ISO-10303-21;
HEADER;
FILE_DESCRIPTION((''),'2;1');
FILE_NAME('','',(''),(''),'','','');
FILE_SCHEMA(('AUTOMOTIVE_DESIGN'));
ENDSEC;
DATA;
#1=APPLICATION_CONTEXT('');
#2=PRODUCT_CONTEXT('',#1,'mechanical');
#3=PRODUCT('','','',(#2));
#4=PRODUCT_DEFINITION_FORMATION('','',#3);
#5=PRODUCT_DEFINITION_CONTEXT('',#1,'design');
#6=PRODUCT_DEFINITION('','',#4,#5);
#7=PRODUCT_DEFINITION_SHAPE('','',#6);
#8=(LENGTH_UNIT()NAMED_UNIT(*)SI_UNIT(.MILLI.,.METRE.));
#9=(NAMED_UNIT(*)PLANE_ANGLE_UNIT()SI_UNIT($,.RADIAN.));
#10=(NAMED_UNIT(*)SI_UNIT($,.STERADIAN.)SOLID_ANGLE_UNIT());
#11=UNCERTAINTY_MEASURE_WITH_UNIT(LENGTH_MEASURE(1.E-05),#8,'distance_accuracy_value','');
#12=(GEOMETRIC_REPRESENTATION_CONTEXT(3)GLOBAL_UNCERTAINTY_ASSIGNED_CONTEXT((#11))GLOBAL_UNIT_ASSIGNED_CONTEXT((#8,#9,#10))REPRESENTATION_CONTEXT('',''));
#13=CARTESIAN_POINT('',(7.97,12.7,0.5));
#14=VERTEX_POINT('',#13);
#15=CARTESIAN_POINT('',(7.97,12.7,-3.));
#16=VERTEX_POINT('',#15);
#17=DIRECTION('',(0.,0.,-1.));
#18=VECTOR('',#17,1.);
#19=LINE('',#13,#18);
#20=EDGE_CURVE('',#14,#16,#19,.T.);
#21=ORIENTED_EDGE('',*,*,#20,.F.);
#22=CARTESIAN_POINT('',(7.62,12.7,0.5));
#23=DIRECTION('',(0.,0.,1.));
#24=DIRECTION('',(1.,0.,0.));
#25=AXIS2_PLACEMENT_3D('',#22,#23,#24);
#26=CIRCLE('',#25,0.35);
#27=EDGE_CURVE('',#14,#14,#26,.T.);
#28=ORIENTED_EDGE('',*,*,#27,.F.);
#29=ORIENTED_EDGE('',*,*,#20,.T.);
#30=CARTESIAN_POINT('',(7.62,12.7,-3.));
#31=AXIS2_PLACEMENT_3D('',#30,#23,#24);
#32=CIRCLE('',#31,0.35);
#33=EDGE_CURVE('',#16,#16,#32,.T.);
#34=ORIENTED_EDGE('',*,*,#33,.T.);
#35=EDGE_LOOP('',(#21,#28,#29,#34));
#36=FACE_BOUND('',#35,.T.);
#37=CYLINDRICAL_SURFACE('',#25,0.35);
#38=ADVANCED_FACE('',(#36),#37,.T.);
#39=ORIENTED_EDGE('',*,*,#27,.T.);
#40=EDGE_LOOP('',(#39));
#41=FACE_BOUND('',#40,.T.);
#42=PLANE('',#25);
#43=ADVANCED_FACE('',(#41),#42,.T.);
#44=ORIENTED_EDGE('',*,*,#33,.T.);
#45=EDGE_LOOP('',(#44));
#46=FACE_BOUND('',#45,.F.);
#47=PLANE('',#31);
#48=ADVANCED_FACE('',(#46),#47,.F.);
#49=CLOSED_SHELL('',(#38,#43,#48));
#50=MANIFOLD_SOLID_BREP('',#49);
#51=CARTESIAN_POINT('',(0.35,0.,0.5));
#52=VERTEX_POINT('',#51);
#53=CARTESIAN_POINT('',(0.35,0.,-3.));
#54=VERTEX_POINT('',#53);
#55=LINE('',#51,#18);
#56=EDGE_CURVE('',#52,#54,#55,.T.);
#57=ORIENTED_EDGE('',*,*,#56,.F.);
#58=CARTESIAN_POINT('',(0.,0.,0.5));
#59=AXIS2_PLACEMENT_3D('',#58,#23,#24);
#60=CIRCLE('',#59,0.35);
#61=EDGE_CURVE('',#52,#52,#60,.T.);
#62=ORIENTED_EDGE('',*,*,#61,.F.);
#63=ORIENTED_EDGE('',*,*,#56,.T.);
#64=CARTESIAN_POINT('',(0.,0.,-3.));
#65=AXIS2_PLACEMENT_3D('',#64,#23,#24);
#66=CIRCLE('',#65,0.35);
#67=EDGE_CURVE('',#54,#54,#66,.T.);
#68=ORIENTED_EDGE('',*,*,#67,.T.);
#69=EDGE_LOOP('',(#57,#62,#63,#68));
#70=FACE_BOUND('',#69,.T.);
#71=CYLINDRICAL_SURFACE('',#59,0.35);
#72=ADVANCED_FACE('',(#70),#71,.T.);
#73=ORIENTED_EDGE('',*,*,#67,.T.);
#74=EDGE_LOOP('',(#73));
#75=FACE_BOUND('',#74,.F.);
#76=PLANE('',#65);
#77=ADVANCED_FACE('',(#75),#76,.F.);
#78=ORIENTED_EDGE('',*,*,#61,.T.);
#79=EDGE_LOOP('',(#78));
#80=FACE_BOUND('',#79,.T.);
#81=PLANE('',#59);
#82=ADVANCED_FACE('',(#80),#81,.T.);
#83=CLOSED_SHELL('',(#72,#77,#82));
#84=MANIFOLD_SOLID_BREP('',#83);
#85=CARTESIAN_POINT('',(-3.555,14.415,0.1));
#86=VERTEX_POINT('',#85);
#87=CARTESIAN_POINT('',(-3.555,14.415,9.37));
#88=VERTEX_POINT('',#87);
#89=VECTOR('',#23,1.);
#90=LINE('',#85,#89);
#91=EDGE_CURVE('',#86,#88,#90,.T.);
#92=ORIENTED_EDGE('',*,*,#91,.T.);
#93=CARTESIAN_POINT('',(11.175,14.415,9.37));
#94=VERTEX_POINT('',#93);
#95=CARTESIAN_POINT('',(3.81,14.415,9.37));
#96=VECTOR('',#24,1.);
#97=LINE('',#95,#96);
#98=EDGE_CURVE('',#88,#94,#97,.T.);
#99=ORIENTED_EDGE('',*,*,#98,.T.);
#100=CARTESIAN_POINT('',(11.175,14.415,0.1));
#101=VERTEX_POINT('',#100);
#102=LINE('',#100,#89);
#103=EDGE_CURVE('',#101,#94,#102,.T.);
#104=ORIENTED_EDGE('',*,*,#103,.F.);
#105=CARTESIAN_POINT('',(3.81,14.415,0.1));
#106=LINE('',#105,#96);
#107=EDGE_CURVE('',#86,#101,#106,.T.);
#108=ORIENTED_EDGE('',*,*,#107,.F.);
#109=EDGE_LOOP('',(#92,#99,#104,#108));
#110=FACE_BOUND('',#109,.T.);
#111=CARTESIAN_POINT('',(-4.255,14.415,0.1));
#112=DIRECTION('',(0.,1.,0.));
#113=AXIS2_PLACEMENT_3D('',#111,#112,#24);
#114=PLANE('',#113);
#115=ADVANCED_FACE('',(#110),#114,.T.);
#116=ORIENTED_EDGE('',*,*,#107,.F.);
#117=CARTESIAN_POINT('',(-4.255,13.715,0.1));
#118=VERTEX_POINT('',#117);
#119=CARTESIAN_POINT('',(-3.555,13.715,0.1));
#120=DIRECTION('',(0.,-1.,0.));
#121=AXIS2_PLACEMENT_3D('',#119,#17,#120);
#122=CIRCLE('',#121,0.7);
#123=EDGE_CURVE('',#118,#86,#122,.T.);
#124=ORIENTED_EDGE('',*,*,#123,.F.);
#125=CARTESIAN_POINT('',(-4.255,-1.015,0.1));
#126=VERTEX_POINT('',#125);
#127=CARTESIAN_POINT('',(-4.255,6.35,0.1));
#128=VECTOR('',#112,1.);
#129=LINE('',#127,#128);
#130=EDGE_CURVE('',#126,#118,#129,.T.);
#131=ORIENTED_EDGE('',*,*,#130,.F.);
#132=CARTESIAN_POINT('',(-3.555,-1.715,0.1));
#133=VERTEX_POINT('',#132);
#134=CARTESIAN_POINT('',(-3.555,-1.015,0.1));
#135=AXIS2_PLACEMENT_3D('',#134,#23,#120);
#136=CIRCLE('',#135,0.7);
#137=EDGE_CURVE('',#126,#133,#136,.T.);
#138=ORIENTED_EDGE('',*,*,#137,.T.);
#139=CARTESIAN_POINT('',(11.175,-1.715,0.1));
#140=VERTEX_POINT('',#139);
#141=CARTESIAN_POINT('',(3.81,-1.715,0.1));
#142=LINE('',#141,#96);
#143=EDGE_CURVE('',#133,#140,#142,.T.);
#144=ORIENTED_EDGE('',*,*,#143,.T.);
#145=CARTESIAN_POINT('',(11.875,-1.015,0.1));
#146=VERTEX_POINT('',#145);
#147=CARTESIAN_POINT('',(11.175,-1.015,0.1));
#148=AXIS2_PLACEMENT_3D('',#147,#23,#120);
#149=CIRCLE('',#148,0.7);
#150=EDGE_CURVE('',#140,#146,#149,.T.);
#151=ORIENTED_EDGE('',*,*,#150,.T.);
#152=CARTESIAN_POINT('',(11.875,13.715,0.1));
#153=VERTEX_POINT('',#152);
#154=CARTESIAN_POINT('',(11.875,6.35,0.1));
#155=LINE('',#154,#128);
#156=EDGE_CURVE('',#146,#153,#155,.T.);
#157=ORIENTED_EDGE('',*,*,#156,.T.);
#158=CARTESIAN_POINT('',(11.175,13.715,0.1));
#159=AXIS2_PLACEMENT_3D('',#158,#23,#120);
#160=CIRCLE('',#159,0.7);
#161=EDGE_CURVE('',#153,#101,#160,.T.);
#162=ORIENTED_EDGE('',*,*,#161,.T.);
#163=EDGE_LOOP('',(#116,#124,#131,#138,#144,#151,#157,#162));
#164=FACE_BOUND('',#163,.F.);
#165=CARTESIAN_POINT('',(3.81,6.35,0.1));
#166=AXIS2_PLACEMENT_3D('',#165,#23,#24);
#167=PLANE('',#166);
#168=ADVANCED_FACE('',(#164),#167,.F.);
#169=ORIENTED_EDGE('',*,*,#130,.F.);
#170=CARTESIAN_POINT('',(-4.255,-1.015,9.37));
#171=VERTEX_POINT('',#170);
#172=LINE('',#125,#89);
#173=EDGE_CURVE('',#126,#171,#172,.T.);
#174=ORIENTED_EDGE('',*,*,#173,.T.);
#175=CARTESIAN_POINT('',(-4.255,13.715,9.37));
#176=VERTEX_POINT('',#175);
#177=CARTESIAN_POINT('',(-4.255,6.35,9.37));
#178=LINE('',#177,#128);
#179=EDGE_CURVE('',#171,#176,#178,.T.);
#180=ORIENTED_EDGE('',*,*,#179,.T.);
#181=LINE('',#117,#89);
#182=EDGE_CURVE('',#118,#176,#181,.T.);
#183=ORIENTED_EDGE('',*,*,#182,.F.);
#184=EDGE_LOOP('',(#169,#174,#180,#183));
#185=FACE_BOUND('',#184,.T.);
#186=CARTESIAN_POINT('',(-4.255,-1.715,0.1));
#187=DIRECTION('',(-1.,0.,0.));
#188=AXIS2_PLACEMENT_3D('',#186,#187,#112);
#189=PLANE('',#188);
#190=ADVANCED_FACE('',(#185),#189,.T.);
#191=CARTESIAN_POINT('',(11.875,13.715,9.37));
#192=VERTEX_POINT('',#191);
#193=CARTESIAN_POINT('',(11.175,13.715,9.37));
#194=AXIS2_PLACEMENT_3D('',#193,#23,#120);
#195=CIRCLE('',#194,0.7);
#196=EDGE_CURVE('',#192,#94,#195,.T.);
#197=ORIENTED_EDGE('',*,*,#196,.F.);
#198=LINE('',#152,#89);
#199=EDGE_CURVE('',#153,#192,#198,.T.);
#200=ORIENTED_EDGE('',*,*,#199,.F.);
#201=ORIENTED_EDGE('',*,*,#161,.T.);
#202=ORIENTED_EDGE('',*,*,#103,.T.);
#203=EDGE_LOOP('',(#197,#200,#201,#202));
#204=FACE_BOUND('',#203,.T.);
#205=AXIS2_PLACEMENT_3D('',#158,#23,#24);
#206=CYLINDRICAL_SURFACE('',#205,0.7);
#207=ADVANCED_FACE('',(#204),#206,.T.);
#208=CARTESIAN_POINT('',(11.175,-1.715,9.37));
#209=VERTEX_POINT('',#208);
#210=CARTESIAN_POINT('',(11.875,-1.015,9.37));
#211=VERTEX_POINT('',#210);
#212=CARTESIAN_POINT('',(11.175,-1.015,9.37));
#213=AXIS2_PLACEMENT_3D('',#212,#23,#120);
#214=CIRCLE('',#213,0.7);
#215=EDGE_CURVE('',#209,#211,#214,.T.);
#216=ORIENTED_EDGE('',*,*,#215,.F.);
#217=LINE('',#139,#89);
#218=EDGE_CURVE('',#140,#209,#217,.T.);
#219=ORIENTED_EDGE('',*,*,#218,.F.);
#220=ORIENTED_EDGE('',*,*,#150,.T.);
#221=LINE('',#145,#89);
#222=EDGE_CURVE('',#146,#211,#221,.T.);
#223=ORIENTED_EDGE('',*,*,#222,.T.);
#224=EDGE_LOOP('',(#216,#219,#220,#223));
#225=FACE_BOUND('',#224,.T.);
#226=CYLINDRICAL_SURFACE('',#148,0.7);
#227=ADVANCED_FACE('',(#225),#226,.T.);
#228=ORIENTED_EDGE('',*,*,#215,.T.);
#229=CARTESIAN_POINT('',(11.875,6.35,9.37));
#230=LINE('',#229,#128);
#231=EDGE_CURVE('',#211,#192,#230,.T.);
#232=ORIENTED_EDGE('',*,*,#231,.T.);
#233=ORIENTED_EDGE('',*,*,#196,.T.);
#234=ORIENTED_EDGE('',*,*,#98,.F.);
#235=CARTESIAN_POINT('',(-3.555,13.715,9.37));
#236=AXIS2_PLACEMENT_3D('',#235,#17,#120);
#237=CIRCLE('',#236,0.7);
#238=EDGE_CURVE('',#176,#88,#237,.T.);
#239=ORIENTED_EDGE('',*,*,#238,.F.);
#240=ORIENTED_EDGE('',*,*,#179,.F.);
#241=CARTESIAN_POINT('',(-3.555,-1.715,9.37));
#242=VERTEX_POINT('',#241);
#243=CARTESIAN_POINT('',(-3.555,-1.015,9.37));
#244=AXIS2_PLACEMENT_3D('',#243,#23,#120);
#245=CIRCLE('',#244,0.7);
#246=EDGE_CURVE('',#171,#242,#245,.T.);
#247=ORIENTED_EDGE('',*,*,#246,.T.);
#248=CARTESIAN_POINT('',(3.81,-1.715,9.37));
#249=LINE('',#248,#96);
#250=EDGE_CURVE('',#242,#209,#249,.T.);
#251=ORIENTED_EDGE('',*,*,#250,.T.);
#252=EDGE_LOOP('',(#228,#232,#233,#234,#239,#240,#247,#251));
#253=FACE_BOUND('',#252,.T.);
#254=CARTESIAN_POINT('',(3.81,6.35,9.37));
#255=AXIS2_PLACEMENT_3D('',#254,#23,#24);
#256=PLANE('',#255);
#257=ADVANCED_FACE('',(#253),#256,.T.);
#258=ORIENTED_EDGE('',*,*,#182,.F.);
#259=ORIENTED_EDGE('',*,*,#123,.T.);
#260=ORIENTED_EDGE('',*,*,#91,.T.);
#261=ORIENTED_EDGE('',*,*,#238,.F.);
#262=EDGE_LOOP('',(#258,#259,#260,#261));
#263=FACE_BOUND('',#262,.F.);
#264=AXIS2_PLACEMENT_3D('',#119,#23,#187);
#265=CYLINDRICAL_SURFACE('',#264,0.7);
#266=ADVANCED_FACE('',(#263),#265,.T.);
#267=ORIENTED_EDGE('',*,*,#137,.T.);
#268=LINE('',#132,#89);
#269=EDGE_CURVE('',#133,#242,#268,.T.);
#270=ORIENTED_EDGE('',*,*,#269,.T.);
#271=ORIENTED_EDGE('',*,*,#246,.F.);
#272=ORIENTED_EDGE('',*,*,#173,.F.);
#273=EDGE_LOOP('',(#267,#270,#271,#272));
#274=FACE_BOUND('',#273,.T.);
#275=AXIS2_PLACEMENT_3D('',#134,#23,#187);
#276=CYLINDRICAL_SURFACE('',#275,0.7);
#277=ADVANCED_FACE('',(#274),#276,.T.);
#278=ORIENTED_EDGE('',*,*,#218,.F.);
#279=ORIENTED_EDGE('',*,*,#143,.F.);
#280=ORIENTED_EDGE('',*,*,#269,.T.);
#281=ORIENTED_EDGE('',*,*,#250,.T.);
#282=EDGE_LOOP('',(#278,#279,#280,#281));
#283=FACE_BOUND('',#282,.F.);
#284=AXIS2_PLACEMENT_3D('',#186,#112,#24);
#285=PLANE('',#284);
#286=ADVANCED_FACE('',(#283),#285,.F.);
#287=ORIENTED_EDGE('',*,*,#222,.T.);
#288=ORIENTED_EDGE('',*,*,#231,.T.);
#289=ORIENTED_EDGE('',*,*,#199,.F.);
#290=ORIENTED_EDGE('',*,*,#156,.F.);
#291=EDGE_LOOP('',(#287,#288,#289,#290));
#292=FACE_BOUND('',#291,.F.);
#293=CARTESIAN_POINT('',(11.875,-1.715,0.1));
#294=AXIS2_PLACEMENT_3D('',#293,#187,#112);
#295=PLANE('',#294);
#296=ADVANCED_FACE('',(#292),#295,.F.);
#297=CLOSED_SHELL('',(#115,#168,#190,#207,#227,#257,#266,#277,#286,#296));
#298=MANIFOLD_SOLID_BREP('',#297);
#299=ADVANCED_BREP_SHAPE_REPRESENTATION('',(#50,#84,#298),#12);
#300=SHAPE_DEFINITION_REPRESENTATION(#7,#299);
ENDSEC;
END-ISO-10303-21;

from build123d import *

# Parameters (mm, degrees)
SKETCH001_R  = 0.35
PAD001_DEPTH = 3.5
SKETCH_W     = 16.13
SKETCH_H     = 16.13
PAD_DEPTH    = 9.27
FILLET_R     = 0.7


with BuildPart() as pad001:
    # Sketch001 → Pad001 (new body)
    with BuildSketch(Plane.XY.offset(0.5)):
        Circle(SKETCH001_R)
        with Locations((7.62, 12.7)):
            Circle(SKETCH001_R)
    extrude(amount=-PAD001_DEPTH)


with BuildPart() as fillet_body:
    # Sketch → Pad (new body)
    with BuildSketch(Plane.XY.offset(0.1)):
        with Locations((3.81, 6.35)):
            Rectangle(SKETCH_W, SKETCH_H)
    extrude(amount=PAD_DEPTH)

    # Fillet
    fillet_edges = [fillet_body.edges().sort_by_distance(p)[0] for p in [
        (11.875, -1.715, 4.735),
        (11.875, 14.415, 4.735),
        (-4.255, -1.715, 4.735),
        (-4.255, 14.415, 4.735),
    ]]
    fillet(fillet_edges, radius=FILLET_R)


solid = Compound([pad001.part, fillet_body.part])
